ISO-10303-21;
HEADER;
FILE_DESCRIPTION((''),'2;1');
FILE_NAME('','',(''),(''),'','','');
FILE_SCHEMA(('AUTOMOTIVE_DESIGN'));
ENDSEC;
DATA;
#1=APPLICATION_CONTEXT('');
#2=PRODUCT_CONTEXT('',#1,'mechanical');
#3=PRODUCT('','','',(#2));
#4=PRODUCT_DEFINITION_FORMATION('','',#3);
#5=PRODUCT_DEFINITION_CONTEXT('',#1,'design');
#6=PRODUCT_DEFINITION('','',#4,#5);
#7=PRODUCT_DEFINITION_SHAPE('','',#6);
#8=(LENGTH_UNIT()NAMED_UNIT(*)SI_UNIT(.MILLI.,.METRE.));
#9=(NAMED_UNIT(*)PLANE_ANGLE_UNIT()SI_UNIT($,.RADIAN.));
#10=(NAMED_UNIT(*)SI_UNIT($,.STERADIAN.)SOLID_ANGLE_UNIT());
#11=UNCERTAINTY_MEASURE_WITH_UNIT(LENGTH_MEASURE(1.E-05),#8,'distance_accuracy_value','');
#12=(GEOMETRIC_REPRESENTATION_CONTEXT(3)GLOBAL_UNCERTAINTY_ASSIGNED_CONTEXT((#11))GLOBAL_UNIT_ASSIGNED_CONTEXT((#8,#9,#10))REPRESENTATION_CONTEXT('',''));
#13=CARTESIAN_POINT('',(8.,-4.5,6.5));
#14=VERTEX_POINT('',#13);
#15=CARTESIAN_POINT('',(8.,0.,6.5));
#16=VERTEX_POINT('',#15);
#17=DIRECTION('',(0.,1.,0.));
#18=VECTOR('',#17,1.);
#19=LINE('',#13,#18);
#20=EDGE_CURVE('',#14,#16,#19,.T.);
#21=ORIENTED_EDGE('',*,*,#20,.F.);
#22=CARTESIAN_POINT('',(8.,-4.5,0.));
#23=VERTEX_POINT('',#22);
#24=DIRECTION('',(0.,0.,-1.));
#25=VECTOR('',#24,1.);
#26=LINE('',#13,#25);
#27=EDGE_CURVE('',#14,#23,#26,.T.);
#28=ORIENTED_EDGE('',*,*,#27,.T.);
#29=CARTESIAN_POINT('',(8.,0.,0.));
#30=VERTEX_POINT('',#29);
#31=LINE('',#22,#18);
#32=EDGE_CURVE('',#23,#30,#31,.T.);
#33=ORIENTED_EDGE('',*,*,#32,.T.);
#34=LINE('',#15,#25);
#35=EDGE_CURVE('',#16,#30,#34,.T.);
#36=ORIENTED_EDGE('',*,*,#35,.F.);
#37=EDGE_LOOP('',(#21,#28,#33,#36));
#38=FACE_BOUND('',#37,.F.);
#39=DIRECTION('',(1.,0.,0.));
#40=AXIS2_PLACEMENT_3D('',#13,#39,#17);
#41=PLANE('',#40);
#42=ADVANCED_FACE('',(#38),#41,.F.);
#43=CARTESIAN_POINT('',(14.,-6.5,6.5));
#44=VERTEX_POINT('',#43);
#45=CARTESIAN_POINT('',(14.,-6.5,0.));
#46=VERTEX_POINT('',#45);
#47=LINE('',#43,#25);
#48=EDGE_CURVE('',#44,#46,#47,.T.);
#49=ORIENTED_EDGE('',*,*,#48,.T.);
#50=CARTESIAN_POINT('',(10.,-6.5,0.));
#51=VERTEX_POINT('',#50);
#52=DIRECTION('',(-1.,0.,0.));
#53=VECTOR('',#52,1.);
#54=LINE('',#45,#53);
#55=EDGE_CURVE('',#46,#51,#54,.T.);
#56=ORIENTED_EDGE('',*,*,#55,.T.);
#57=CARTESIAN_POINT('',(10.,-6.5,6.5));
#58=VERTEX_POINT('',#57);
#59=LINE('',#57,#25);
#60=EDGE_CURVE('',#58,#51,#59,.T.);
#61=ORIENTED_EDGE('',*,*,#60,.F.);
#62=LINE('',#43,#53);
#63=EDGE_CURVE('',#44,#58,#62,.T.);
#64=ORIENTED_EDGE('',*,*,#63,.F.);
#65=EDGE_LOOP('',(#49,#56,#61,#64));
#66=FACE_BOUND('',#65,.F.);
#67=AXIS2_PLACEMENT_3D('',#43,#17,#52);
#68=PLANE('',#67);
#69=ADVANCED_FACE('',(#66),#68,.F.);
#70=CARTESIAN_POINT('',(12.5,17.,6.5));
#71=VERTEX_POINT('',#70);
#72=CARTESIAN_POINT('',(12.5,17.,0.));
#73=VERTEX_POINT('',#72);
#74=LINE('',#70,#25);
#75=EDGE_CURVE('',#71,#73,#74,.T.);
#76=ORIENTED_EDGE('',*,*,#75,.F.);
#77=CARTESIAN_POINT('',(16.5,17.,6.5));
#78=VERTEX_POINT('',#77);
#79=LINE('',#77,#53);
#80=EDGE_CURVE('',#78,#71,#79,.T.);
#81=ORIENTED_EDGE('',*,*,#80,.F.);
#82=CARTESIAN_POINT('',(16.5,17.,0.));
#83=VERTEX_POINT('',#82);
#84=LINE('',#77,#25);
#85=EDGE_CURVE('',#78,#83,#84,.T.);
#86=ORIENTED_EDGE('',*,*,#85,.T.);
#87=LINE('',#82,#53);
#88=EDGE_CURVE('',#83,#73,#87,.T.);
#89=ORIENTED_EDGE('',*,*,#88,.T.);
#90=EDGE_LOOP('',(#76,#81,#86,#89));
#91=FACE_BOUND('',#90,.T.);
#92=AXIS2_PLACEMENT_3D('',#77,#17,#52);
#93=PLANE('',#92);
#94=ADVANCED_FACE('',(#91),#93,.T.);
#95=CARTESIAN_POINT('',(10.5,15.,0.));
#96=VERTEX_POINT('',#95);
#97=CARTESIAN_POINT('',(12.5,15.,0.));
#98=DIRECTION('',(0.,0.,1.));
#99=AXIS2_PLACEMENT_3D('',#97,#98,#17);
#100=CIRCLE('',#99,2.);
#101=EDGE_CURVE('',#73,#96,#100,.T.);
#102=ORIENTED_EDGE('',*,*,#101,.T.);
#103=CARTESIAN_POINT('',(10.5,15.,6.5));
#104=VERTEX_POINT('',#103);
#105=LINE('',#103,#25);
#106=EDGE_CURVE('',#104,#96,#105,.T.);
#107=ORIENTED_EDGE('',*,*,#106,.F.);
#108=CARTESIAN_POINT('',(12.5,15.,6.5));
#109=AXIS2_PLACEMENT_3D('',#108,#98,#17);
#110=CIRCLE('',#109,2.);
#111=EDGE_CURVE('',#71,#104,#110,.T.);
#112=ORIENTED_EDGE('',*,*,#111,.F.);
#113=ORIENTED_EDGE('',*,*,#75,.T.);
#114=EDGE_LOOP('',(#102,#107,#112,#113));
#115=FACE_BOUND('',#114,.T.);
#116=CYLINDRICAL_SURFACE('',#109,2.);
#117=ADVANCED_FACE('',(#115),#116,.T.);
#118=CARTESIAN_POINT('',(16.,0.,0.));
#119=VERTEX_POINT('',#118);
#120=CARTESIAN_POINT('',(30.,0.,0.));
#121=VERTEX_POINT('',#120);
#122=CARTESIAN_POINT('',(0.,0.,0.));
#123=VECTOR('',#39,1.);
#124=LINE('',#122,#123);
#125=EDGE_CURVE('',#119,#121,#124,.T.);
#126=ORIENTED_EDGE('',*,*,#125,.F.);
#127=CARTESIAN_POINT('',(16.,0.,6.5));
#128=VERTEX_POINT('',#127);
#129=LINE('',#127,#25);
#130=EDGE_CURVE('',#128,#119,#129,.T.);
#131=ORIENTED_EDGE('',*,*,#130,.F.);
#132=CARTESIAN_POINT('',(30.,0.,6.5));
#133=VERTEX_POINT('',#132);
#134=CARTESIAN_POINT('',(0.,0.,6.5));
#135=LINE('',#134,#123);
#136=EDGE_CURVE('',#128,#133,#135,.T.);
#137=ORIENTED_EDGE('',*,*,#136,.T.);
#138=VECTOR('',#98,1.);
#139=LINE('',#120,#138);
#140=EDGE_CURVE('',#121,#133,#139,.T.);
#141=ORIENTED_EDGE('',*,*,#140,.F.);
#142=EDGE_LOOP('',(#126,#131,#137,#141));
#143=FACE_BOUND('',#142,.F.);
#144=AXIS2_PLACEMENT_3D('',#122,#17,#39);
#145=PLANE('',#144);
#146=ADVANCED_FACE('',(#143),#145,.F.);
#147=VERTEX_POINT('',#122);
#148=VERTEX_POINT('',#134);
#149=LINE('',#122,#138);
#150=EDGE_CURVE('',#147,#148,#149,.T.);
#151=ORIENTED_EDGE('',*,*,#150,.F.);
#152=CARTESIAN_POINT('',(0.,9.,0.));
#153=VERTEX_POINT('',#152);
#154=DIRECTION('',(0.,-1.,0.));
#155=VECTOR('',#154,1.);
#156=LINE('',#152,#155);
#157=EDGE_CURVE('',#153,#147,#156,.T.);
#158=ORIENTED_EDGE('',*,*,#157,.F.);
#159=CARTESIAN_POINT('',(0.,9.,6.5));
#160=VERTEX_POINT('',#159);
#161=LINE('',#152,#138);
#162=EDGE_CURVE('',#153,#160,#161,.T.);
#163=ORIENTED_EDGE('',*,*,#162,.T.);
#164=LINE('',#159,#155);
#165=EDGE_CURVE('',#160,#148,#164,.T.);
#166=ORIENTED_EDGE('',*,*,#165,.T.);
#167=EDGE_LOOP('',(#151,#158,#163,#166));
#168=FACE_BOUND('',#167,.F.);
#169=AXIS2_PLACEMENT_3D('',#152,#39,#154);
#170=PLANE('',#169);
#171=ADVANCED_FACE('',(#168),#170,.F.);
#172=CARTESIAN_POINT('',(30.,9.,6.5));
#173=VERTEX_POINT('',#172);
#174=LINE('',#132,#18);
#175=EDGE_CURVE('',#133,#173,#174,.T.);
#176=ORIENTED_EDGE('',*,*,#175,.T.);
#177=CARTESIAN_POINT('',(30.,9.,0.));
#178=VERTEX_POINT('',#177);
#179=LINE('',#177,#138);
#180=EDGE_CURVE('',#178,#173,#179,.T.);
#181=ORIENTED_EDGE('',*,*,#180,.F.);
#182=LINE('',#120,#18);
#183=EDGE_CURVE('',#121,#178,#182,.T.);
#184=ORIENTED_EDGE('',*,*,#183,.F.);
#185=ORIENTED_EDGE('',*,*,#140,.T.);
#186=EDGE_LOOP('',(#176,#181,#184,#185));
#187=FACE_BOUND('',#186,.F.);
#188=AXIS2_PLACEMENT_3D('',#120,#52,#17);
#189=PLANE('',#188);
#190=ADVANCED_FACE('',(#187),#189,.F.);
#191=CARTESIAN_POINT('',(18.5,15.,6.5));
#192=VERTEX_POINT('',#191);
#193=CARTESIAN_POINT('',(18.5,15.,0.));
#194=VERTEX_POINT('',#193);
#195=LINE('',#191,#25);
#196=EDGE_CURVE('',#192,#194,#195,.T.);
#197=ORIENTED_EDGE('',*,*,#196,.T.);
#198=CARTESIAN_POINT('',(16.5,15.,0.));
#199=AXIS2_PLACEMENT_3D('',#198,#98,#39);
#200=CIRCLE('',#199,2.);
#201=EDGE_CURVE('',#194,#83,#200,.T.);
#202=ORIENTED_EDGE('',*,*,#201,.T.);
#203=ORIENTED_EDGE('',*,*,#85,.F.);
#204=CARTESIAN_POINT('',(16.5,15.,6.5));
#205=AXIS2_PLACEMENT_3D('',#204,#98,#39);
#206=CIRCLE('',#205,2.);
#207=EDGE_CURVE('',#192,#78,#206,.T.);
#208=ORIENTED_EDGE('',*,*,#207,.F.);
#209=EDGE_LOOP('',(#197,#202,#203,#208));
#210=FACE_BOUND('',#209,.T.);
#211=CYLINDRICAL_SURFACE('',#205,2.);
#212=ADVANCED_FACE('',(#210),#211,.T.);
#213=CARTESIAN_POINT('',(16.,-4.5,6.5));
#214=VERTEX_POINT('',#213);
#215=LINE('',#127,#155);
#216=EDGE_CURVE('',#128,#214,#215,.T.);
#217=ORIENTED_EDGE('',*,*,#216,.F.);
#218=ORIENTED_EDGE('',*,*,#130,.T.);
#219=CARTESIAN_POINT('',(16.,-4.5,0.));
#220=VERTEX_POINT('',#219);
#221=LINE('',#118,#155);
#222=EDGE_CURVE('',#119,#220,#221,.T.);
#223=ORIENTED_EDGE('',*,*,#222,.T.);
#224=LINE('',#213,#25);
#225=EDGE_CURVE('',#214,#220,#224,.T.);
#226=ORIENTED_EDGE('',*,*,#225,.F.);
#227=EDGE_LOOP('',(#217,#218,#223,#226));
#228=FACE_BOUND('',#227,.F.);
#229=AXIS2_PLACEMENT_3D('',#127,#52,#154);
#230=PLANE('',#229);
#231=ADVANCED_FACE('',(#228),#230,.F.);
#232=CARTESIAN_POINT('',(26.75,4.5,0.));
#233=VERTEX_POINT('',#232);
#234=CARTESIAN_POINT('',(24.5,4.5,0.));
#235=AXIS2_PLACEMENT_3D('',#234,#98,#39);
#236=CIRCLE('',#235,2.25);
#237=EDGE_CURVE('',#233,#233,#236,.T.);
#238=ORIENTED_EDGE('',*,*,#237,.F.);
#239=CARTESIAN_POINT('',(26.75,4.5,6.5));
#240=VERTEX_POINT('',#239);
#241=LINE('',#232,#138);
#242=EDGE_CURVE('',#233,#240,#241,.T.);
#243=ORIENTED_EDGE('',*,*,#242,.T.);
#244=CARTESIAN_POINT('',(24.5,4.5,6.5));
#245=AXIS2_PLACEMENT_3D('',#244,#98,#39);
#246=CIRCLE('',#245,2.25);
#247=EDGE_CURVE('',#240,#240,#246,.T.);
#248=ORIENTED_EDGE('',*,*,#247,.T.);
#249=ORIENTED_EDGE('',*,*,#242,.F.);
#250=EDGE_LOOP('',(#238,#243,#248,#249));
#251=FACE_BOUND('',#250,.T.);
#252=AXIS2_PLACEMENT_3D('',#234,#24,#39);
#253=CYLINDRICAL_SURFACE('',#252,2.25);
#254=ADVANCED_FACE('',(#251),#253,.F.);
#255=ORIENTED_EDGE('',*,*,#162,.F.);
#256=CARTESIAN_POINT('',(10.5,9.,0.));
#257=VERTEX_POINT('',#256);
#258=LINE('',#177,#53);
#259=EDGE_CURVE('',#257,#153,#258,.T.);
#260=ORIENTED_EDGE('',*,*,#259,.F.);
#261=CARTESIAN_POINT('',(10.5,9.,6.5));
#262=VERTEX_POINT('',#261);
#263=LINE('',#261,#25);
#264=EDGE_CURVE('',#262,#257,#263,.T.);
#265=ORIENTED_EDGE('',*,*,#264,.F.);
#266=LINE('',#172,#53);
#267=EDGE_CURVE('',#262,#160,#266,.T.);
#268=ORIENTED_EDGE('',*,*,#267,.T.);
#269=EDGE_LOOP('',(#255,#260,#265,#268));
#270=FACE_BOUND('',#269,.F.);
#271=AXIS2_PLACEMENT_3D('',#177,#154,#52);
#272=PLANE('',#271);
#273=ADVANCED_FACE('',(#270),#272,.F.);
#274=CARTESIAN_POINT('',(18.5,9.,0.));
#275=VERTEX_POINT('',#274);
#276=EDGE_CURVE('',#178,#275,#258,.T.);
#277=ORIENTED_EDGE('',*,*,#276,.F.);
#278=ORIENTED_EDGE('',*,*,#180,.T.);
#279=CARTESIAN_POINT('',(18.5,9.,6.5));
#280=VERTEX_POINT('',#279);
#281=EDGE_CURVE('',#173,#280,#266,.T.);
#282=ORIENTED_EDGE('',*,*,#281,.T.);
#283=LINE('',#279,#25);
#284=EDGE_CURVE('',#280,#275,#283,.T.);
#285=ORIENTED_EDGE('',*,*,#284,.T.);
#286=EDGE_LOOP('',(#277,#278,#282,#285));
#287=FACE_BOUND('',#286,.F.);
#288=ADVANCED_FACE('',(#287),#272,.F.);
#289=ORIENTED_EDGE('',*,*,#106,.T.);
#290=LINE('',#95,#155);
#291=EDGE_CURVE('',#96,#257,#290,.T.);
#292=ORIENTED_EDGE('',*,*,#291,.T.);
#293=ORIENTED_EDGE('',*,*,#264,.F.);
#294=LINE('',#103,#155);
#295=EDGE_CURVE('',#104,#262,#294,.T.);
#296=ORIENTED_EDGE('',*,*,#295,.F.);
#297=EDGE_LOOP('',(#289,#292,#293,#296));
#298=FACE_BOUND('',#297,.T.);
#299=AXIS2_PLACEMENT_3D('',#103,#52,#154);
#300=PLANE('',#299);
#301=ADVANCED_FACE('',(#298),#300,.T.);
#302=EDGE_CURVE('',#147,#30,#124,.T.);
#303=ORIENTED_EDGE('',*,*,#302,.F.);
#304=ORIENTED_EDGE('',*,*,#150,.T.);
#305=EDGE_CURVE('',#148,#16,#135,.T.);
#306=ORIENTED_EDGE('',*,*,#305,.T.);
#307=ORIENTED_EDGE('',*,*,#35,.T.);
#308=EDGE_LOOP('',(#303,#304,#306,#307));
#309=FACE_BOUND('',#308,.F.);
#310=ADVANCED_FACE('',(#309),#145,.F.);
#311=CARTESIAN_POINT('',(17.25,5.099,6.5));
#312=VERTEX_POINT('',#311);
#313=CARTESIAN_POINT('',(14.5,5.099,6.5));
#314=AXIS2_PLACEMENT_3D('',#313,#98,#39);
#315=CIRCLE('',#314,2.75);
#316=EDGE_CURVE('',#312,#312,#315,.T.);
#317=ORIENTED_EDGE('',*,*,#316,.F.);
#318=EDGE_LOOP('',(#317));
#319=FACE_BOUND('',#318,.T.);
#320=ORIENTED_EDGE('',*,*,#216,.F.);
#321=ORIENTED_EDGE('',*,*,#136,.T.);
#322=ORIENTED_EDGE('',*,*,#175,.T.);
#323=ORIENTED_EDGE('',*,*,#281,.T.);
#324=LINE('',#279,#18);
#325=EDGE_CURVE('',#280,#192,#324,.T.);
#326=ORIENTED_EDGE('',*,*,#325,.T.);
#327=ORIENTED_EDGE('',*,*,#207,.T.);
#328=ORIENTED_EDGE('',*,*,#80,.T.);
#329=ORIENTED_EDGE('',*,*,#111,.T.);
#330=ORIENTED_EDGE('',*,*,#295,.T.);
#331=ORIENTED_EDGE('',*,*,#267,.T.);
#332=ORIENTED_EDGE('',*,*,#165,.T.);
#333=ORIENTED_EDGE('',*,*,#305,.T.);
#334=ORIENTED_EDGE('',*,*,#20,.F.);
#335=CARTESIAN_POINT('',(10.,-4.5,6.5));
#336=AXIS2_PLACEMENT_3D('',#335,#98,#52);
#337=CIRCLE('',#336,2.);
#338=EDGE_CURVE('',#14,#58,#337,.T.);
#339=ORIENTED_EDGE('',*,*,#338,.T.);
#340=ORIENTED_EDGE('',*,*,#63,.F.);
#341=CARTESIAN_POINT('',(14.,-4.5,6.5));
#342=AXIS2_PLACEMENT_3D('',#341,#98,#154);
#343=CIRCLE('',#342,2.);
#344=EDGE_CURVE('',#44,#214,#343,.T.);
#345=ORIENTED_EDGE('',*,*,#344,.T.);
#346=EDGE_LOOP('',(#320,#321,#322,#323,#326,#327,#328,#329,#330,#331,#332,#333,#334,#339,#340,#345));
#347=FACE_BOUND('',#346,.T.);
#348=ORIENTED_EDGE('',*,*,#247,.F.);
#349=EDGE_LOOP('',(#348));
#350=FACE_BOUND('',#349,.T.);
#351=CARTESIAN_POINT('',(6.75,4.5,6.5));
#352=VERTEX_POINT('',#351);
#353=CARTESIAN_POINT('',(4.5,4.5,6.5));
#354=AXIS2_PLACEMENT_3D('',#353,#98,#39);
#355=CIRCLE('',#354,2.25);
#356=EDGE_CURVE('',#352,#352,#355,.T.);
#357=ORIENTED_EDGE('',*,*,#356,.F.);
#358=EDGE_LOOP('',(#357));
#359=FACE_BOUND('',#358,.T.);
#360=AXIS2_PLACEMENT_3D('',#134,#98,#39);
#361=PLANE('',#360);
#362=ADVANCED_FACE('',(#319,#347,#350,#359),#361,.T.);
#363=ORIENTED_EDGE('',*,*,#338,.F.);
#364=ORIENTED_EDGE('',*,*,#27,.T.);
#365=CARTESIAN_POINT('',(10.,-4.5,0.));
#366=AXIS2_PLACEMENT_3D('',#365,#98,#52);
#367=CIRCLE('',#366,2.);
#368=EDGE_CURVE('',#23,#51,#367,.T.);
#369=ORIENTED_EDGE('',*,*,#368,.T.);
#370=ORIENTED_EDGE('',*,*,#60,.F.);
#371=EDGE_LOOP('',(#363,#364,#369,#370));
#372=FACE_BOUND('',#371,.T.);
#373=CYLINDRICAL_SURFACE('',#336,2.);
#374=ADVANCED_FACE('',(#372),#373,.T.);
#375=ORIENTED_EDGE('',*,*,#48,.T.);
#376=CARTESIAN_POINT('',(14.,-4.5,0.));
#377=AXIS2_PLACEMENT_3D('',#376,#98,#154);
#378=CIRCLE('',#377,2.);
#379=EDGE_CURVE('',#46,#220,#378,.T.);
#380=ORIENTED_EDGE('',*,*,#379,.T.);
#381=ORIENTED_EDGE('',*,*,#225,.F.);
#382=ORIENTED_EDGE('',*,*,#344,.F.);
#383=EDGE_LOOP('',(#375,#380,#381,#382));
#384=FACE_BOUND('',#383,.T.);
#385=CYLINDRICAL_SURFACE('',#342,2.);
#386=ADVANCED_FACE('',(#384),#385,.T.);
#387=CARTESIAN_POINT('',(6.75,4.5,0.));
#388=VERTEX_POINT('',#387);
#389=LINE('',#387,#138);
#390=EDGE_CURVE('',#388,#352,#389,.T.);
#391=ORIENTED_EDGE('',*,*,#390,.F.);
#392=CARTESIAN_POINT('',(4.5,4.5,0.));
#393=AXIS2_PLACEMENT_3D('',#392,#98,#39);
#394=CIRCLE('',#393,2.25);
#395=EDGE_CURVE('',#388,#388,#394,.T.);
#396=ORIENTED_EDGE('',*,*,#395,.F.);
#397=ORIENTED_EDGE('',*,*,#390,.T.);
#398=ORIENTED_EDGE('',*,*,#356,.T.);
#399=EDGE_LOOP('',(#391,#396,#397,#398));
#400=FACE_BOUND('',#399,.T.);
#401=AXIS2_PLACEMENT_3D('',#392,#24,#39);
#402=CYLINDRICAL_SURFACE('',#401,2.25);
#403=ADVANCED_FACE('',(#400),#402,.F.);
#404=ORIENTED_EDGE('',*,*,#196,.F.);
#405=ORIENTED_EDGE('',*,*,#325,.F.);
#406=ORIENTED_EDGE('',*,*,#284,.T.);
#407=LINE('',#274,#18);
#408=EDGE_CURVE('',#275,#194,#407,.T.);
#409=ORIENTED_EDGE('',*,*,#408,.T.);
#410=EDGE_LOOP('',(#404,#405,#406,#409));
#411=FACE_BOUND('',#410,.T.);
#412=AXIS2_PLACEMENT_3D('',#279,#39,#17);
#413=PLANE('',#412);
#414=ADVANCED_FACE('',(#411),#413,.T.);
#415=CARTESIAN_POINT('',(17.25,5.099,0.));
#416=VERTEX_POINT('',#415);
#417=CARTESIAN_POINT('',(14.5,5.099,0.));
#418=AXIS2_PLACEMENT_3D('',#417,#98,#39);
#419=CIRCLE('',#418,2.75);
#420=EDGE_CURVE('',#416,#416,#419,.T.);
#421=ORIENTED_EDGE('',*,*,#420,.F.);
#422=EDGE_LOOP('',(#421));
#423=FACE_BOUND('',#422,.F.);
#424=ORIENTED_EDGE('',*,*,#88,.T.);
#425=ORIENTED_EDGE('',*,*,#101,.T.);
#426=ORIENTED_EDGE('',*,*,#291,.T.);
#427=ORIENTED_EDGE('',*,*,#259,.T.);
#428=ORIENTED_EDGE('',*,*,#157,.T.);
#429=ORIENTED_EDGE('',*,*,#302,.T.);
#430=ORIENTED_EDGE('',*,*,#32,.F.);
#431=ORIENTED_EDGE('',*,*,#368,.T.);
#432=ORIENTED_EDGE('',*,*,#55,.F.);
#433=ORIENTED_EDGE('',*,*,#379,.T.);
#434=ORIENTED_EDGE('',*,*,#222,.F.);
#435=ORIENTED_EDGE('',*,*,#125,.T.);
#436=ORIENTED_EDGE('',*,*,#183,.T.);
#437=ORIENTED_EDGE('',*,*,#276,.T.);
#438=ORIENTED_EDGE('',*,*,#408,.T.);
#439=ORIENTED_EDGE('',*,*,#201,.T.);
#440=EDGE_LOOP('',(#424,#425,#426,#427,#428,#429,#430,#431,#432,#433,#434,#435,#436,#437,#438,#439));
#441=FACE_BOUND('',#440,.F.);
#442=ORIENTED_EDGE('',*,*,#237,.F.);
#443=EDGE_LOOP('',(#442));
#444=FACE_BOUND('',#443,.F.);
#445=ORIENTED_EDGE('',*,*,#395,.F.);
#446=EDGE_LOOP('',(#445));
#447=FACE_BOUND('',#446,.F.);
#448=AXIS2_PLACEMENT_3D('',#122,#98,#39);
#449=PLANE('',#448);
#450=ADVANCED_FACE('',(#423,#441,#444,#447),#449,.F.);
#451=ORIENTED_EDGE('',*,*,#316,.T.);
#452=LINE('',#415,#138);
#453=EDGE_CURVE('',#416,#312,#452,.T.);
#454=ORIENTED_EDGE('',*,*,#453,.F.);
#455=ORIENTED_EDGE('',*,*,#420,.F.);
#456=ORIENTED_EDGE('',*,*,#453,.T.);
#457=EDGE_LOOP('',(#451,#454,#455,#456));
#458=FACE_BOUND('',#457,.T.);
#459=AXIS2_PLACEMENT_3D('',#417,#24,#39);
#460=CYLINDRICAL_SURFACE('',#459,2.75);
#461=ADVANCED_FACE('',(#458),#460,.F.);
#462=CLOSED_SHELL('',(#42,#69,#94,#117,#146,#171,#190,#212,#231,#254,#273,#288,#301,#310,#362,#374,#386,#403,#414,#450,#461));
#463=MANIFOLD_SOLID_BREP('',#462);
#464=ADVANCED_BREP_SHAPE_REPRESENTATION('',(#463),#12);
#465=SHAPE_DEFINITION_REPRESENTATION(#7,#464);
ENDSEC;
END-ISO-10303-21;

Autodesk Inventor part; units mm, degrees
ref_plane "YZ Plane" through (0, 0, 0) normal (1, 0, 0) x (0, 1, 0)
ref_plane "XZ Plane" through (0, 0, 0) normal (0, 1, 0) x (-1, 0, 0)
ref_plane "XY Plane" through (0, 0, 0) normal (0, 0, 1) x (1, 0, 0)
sketch "Sketch1" plane through (0, 0, 0) normal (0, 0, 1) x (1, 0, 0)
  line L0 (0, 0) -> (30, 0)
  line L1 (30, 0) -> (30, 9)
  line L2 (30, 9) -> (0, 9)
  line L3 (0, 9) -> (0, 0)
  circle A0 centre (-5.5, 5.099) radius 7.5 construction
  circle A1 centre (-5.5, 5.099) radius 4 construction
  circle A2 centre (14.5, 5.099) radius 2.75
  circle A3 centre (24.5, 4.5) radius 2.25
  circle A4 centre (4.5, 4.5) radius 2.25
  point P0 (-11, 0)
  point P1 (30, 4.5)
  dimension "d0" = 9
  dimension "d1" = 30
  dimension "d2" = 15
  dimension "d3" = 8
  dimension "d4" = 11
  dimension "d5" = 5.5
  dimension "d6" = 4.5
  dimension "d7" = 4.5
  dimension "d8" = 5.5
  dimension "d9" = 10
  dimension "d10" = 10
extrude "Extrusion1" add sketch "Sketch1" along normal blind 6.5
sketch "Sketch2" plane through (0, 0, 6.5) normal (0, 0, 1) x (1, 0, 0)
  line L0 (0, 0) -> (30, 0) projected
  line L1 (30, 0) -> (30, 9) projected
  line L2 (30, 9) -> (0, 9) projected
  line L3 (8, 0) -> (16, 0)
  line L4 (16, 0) -> (16, -4.5)
  line L5 (14, -6.5) -> (10, -6.5)
  line L6 (8, -4.5) -> (8, 0)
  arc A0 (8, -4.5) -> (10, -6.5) centre (10, -4.5) ccw
  arc A1 (14, -6.5) -> (16, -4.5) centre (14, -4.5) ccw
  line L7 (10.5, 9) -> (18.5, 9)
  line L8 (18.5, 9) -> (18.5, 15)
  line L9 (16.5, 17) -> (12.5, 17)
  line L10 (10.5, 15) -> (10.5, 9)
  arc A2 (12.5, 17) -> (10.5, 15) centre (12.5, 15) ccw
  arc A3 (18.5, 15) -> (16.5, 17) centre (16.5, 15) ccw
  dimension "d13" = 2
  dimension "d14" = 8
  dimension "d15" = 6.5
  dimension "d16" = 14
  dimension "d17" = 2
  dimension "d18" = 8
  dimension "d19" = 8
  dimension "d20" = 11.5
extrude "Extrusion2" add sketch "Sketch2" against normal blind 6.5
properties part number "x_motor_lower_nut_stop" material "Plywood, Finish"
